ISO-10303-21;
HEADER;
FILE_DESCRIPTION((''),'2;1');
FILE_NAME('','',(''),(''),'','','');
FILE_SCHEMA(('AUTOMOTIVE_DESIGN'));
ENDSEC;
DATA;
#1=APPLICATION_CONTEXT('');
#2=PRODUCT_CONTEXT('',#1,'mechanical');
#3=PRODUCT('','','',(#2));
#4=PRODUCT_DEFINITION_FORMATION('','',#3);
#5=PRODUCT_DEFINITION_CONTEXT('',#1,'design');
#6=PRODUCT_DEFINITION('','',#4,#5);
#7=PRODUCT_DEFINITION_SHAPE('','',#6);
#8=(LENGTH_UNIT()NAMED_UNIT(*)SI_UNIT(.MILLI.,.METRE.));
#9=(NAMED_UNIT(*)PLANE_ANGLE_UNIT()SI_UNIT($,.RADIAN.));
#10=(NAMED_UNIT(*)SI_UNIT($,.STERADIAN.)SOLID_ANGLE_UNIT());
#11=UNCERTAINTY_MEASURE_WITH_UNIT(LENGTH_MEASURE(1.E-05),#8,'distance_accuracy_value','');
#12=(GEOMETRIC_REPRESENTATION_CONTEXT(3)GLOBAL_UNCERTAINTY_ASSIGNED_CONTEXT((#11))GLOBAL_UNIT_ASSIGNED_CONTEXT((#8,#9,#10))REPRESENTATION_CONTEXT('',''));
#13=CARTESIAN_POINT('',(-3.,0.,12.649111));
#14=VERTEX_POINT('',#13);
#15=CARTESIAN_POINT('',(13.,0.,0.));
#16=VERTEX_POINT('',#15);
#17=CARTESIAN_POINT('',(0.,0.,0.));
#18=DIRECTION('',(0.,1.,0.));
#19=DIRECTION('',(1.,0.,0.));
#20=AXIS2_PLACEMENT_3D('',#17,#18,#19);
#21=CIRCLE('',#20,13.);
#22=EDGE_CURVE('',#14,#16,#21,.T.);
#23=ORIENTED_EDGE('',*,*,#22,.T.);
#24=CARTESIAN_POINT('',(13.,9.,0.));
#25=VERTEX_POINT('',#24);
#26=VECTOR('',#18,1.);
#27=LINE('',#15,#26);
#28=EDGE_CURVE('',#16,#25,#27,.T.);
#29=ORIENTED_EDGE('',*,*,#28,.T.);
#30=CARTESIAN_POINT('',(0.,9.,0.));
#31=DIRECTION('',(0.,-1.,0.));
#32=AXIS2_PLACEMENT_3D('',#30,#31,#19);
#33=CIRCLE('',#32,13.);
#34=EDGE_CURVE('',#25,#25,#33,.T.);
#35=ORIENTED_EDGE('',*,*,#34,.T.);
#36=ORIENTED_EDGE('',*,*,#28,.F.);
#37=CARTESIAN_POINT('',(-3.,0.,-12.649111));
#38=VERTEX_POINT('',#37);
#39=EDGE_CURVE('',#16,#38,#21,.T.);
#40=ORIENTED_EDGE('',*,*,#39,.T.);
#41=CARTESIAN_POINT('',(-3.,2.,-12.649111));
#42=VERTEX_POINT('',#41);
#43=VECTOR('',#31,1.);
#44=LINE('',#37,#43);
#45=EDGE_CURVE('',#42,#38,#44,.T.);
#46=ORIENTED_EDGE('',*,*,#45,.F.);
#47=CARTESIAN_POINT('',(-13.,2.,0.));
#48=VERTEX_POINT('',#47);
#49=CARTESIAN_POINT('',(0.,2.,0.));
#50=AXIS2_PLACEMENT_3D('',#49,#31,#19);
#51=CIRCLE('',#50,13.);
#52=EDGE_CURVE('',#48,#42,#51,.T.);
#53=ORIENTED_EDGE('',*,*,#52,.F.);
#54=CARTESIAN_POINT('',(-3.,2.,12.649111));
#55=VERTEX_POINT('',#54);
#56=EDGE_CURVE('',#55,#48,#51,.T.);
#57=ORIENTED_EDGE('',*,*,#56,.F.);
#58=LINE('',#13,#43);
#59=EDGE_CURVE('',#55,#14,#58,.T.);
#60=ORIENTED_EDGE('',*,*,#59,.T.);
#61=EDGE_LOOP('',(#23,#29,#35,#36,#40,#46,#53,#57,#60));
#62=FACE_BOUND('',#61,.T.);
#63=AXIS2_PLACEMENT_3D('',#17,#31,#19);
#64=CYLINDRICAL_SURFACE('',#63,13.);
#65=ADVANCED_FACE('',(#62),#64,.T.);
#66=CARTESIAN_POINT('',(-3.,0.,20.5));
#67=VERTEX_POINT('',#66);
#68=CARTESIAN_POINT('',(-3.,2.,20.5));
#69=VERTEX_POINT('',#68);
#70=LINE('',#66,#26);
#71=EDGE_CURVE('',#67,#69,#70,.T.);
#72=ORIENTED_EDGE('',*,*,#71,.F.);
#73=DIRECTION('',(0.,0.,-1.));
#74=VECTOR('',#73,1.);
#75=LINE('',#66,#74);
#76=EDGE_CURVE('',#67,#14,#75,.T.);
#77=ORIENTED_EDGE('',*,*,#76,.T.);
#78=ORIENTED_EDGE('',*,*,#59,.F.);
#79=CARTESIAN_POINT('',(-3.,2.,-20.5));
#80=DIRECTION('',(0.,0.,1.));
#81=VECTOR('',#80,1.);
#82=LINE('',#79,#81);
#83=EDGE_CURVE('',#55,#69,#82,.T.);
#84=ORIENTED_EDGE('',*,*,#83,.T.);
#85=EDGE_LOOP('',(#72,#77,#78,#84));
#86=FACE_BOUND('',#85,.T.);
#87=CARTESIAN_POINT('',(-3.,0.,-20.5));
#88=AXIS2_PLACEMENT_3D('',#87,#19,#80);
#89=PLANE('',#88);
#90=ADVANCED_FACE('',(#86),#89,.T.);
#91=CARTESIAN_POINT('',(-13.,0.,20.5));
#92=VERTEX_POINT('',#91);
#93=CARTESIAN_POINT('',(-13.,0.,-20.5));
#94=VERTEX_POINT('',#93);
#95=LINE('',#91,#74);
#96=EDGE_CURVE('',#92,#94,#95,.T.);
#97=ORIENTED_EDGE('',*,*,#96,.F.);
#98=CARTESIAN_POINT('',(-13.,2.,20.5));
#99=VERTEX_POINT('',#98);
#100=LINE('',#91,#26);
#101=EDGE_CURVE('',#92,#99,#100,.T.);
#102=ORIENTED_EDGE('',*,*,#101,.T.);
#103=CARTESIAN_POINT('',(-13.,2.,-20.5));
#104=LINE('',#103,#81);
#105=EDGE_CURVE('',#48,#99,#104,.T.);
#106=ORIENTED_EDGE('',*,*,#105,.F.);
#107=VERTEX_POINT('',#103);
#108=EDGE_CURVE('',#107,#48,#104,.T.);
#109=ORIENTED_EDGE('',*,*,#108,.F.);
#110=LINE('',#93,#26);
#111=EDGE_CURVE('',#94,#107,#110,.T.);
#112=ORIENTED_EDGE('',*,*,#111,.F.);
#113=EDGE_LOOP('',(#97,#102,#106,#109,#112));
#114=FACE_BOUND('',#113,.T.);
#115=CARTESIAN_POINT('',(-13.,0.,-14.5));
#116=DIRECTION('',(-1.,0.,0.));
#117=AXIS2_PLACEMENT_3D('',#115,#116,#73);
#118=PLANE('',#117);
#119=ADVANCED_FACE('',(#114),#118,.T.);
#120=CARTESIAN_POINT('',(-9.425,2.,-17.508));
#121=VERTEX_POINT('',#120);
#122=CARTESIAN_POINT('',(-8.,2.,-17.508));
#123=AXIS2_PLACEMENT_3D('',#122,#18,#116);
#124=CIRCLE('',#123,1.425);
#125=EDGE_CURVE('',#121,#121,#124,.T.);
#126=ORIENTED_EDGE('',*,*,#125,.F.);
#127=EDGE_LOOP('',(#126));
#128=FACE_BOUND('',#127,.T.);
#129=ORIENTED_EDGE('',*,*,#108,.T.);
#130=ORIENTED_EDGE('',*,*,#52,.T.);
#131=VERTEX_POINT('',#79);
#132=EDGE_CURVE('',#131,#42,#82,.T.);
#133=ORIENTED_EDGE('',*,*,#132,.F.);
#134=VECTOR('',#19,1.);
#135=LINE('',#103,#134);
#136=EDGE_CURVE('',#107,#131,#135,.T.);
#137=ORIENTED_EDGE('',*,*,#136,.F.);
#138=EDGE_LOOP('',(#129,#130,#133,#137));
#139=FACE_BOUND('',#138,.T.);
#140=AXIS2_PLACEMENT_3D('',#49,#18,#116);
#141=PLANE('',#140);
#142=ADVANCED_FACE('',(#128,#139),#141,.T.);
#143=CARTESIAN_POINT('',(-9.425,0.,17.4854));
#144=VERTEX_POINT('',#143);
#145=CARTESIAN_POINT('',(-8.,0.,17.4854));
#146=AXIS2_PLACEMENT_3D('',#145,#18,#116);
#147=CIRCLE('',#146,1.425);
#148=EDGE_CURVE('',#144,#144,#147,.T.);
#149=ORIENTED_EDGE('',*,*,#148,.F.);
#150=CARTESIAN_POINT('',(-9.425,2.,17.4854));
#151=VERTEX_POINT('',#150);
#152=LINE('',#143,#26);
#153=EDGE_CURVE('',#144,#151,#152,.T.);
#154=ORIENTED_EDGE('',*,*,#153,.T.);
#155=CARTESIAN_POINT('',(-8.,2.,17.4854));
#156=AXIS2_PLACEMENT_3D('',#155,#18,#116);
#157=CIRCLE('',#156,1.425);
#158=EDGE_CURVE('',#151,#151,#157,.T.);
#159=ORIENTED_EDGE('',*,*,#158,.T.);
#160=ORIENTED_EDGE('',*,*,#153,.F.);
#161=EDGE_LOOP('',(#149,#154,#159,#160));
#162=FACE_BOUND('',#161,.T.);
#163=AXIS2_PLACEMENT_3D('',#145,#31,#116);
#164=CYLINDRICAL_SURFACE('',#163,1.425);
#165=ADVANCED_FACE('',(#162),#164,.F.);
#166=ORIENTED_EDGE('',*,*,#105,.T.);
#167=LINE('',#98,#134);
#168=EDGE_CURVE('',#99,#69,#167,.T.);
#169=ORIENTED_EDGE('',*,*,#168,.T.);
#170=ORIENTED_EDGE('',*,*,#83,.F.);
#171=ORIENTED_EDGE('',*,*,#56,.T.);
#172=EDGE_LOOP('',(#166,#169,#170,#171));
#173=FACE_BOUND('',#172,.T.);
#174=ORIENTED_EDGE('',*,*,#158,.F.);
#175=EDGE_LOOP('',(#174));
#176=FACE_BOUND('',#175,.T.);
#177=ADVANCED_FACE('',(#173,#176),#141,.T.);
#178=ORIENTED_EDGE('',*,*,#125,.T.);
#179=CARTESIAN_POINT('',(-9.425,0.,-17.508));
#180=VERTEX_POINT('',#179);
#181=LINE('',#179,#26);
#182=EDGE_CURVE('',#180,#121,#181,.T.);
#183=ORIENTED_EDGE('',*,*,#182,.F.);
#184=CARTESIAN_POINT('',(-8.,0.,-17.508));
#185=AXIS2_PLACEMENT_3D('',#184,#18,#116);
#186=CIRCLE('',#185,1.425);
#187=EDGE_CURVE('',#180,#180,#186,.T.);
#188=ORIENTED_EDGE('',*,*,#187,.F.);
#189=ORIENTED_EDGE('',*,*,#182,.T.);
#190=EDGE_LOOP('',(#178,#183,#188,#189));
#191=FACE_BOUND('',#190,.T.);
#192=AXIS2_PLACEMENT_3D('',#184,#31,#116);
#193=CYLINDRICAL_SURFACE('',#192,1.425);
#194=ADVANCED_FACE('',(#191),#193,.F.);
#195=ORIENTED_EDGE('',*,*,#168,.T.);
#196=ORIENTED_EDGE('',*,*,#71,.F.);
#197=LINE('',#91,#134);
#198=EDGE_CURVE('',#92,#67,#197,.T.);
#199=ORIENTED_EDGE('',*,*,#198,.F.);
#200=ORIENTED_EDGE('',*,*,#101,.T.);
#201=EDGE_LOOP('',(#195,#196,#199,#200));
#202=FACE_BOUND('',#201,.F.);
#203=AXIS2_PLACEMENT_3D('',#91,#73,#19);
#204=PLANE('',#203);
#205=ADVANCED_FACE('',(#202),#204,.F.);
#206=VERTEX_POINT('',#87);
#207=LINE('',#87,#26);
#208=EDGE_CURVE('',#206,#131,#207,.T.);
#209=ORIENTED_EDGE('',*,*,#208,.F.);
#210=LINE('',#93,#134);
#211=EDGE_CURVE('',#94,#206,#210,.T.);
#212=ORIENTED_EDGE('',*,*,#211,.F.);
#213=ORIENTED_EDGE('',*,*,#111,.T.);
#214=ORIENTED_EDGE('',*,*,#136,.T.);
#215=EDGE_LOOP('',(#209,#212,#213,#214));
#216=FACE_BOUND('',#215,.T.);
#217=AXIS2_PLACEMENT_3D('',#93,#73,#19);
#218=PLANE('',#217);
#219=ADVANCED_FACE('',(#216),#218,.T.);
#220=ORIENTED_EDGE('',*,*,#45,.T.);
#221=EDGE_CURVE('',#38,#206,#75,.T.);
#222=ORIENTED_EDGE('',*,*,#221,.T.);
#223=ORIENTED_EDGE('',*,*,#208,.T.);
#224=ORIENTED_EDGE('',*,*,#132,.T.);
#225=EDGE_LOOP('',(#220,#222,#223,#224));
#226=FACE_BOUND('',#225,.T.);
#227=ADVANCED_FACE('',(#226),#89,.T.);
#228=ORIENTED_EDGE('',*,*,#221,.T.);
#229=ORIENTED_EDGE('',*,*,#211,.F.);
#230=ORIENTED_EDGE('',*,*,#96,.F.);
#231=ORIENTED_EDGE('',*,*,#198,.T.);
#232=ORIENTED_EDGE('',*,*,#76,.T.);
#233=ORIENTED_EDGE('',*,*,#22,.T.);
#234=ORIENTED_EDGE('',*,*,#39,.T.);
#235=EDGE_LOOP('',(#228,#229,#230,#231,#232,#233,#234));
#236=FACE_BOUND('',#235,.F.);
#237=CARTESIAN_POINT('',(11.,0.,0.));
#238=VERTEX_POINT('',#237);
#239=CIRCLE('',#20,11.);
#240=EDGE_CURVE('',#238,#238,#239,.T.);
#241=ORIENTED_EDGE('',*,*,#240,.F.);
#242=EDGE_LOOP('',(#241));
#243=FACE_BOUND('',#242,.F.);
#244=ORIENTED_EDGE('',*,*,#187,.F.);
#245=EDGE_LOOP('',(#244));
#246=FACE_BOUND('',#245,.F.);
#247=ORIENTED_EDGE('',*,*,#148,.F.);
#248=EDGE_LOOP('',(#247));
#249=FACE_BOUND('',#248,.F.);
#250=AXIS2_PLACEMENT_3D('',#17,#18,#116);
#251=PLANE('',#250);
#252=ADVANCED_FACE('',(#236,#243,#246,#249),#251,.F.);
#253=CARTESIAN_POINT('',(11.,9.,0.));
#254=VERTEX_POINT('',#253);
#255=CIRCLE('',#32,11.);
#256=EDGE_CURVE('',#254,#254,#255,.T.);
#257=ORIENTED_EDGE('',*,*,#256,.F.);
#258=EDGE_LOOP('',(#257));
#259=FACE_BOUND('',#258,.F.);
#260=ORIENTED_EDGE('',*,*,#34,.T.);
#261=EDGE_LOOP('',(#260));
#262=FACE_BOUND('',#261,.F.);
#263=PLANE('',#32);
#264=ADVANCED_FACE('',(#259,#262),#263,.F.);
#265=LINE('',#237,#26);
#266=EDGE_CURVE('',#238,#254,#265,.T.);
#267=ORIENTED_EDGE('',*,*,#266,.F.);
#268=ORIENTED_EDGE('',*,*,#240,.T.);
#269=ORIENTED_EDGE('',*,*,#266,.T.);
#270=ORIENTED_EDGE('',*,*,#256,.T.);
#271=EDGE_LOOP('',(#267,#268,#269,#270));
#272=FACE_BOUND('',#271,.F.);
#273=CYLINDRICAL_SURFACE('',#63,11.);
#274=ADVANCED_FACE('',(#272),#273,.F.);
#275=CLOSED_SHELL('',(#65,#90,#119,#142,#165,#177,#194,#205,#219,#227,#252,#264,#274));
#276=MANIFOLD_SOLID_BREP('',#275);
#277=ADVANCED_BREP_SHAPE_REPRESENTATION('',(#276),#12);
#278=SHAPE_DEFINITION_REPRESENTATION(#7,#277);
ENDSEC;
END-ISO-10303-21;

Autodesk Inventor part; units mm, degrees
ref_plane "YZ Plane" through (0, 0, 0) normal (1, 0, 0) x (0, 1, 0)
ref_plane "XZ Plane" through (0, 0, 0) normal (0, 1, 0) x (-1, 0, 0)
ref_plane "XY Plane" through (0, 0, 0) normal (0, 0, 1) x (1, 0, 0)
sketch "Sketch3" plane through (0, 0, 0) normal (0, 1, 0) x (-1, 0, 0)
  line L0 (3, -20.5) -> (3, -14.5)
  line L1 (13, 20.5) -> (3, 20.5)
  line L2 (3, -20.5) -> (3, 20.5)
  line L3 (3, 20.5) -> (13, 20.5)
  line L4 (13, 20.5) -> (13, -20.5)
  line L5 (13, -20.5) -> (3, -20.5)
  line L6 (0, 0) -> (3, 0)
  line L7 (13, 14.5) -> (3, 14.5)
  line L8 (3, -14.5) -> (13, -14.5)
  line L9 (3, -14.5) -> (13, -14.5)
  line L10 (3, 14.5) -> (13, 14.5)
  circle A0 centre (8, -17.508) radius 1.425
  circle A1 centre (8, -17.508) radius 1.425
  circle A2 centre (8, 17.4854) radius 1.425
  circle A3 centre (8, 17.4854) radius 1.425
  point P0 (3, 20.5)
  dimension "d15" = 41
  dimension "d16" = 10
  dimension "d17" = 0
  dimension "d18" = 6
extrude "Extrusion1" add sketch "Sketch3" along normal blind 2
sketch "Sketch5" plane through (0, 0, 0) normal (0, -1, 0) x (1, 0, 0)
  line L0 (-3, 20.5) -> (-3, 14.5)
  line L1 (-13, -20.5) -> (-3, -20.5)
  line L2 (-3, 20.5) -> (-3, -20.5)
  line L3 (-3, -20.5) -> (-13, -20.5)
  line L4 (-13, -20.5) -> (-13, 20.5)
  line L5 (-13, 20.5) -> (-3, 20.5)
  line L6 (0, 0) -> (-3, 0)
  line L7 (-13, -14.5) -> (-3, -14.5)
  line L8 (-3, 14.5) -> (-13, 14.5)
  line L9 (-3, 14.5) -> (-13, 14.5)
  line L10 (-3, -14.5) -> (-13, -14.5)
  circle A0 centre (-8, 17.508) radius 1.425
  circle A1 centre (-8, 17.508) radius 1.425
  circle A2 centre (-8, -17.4854) radius 1.425
  circle A3 centre (-8, -17.4854) radius 1.425
  circle A4 centre (0, 0) radius 11
  circle A5 centre (0, 0) radius 13
  point P0 (3, 20.5)
  point P1 (3, -14.5)
  point P2 (-3, 12.6491)
  point P3 (-3, 10.583)
  point P4 (-3, -10.583)
  point P5 (-3, -12.6491)
  dimension "d27" = 41
  dimension "d28" = 10
  dimension "d29" = 0
  dimension "d30" = 6
  dimension "d31" = 22
  dimension "d32" = 26
extrude "Extrusion2" add sketch "Sketch5" against normal blind 9 contours A5 L2 A4 | L2 A4 A5
sketch "Sketch6" plane through (0, 9, 0) normal (0, 1, 0) x (1, 0, 0)
  circle A0 centre (0, 0) radius 11
extrude "Extrusion3" cut sketch "Sketch6" against normal through all
properties part number "Ball_Bearing_Holder"
